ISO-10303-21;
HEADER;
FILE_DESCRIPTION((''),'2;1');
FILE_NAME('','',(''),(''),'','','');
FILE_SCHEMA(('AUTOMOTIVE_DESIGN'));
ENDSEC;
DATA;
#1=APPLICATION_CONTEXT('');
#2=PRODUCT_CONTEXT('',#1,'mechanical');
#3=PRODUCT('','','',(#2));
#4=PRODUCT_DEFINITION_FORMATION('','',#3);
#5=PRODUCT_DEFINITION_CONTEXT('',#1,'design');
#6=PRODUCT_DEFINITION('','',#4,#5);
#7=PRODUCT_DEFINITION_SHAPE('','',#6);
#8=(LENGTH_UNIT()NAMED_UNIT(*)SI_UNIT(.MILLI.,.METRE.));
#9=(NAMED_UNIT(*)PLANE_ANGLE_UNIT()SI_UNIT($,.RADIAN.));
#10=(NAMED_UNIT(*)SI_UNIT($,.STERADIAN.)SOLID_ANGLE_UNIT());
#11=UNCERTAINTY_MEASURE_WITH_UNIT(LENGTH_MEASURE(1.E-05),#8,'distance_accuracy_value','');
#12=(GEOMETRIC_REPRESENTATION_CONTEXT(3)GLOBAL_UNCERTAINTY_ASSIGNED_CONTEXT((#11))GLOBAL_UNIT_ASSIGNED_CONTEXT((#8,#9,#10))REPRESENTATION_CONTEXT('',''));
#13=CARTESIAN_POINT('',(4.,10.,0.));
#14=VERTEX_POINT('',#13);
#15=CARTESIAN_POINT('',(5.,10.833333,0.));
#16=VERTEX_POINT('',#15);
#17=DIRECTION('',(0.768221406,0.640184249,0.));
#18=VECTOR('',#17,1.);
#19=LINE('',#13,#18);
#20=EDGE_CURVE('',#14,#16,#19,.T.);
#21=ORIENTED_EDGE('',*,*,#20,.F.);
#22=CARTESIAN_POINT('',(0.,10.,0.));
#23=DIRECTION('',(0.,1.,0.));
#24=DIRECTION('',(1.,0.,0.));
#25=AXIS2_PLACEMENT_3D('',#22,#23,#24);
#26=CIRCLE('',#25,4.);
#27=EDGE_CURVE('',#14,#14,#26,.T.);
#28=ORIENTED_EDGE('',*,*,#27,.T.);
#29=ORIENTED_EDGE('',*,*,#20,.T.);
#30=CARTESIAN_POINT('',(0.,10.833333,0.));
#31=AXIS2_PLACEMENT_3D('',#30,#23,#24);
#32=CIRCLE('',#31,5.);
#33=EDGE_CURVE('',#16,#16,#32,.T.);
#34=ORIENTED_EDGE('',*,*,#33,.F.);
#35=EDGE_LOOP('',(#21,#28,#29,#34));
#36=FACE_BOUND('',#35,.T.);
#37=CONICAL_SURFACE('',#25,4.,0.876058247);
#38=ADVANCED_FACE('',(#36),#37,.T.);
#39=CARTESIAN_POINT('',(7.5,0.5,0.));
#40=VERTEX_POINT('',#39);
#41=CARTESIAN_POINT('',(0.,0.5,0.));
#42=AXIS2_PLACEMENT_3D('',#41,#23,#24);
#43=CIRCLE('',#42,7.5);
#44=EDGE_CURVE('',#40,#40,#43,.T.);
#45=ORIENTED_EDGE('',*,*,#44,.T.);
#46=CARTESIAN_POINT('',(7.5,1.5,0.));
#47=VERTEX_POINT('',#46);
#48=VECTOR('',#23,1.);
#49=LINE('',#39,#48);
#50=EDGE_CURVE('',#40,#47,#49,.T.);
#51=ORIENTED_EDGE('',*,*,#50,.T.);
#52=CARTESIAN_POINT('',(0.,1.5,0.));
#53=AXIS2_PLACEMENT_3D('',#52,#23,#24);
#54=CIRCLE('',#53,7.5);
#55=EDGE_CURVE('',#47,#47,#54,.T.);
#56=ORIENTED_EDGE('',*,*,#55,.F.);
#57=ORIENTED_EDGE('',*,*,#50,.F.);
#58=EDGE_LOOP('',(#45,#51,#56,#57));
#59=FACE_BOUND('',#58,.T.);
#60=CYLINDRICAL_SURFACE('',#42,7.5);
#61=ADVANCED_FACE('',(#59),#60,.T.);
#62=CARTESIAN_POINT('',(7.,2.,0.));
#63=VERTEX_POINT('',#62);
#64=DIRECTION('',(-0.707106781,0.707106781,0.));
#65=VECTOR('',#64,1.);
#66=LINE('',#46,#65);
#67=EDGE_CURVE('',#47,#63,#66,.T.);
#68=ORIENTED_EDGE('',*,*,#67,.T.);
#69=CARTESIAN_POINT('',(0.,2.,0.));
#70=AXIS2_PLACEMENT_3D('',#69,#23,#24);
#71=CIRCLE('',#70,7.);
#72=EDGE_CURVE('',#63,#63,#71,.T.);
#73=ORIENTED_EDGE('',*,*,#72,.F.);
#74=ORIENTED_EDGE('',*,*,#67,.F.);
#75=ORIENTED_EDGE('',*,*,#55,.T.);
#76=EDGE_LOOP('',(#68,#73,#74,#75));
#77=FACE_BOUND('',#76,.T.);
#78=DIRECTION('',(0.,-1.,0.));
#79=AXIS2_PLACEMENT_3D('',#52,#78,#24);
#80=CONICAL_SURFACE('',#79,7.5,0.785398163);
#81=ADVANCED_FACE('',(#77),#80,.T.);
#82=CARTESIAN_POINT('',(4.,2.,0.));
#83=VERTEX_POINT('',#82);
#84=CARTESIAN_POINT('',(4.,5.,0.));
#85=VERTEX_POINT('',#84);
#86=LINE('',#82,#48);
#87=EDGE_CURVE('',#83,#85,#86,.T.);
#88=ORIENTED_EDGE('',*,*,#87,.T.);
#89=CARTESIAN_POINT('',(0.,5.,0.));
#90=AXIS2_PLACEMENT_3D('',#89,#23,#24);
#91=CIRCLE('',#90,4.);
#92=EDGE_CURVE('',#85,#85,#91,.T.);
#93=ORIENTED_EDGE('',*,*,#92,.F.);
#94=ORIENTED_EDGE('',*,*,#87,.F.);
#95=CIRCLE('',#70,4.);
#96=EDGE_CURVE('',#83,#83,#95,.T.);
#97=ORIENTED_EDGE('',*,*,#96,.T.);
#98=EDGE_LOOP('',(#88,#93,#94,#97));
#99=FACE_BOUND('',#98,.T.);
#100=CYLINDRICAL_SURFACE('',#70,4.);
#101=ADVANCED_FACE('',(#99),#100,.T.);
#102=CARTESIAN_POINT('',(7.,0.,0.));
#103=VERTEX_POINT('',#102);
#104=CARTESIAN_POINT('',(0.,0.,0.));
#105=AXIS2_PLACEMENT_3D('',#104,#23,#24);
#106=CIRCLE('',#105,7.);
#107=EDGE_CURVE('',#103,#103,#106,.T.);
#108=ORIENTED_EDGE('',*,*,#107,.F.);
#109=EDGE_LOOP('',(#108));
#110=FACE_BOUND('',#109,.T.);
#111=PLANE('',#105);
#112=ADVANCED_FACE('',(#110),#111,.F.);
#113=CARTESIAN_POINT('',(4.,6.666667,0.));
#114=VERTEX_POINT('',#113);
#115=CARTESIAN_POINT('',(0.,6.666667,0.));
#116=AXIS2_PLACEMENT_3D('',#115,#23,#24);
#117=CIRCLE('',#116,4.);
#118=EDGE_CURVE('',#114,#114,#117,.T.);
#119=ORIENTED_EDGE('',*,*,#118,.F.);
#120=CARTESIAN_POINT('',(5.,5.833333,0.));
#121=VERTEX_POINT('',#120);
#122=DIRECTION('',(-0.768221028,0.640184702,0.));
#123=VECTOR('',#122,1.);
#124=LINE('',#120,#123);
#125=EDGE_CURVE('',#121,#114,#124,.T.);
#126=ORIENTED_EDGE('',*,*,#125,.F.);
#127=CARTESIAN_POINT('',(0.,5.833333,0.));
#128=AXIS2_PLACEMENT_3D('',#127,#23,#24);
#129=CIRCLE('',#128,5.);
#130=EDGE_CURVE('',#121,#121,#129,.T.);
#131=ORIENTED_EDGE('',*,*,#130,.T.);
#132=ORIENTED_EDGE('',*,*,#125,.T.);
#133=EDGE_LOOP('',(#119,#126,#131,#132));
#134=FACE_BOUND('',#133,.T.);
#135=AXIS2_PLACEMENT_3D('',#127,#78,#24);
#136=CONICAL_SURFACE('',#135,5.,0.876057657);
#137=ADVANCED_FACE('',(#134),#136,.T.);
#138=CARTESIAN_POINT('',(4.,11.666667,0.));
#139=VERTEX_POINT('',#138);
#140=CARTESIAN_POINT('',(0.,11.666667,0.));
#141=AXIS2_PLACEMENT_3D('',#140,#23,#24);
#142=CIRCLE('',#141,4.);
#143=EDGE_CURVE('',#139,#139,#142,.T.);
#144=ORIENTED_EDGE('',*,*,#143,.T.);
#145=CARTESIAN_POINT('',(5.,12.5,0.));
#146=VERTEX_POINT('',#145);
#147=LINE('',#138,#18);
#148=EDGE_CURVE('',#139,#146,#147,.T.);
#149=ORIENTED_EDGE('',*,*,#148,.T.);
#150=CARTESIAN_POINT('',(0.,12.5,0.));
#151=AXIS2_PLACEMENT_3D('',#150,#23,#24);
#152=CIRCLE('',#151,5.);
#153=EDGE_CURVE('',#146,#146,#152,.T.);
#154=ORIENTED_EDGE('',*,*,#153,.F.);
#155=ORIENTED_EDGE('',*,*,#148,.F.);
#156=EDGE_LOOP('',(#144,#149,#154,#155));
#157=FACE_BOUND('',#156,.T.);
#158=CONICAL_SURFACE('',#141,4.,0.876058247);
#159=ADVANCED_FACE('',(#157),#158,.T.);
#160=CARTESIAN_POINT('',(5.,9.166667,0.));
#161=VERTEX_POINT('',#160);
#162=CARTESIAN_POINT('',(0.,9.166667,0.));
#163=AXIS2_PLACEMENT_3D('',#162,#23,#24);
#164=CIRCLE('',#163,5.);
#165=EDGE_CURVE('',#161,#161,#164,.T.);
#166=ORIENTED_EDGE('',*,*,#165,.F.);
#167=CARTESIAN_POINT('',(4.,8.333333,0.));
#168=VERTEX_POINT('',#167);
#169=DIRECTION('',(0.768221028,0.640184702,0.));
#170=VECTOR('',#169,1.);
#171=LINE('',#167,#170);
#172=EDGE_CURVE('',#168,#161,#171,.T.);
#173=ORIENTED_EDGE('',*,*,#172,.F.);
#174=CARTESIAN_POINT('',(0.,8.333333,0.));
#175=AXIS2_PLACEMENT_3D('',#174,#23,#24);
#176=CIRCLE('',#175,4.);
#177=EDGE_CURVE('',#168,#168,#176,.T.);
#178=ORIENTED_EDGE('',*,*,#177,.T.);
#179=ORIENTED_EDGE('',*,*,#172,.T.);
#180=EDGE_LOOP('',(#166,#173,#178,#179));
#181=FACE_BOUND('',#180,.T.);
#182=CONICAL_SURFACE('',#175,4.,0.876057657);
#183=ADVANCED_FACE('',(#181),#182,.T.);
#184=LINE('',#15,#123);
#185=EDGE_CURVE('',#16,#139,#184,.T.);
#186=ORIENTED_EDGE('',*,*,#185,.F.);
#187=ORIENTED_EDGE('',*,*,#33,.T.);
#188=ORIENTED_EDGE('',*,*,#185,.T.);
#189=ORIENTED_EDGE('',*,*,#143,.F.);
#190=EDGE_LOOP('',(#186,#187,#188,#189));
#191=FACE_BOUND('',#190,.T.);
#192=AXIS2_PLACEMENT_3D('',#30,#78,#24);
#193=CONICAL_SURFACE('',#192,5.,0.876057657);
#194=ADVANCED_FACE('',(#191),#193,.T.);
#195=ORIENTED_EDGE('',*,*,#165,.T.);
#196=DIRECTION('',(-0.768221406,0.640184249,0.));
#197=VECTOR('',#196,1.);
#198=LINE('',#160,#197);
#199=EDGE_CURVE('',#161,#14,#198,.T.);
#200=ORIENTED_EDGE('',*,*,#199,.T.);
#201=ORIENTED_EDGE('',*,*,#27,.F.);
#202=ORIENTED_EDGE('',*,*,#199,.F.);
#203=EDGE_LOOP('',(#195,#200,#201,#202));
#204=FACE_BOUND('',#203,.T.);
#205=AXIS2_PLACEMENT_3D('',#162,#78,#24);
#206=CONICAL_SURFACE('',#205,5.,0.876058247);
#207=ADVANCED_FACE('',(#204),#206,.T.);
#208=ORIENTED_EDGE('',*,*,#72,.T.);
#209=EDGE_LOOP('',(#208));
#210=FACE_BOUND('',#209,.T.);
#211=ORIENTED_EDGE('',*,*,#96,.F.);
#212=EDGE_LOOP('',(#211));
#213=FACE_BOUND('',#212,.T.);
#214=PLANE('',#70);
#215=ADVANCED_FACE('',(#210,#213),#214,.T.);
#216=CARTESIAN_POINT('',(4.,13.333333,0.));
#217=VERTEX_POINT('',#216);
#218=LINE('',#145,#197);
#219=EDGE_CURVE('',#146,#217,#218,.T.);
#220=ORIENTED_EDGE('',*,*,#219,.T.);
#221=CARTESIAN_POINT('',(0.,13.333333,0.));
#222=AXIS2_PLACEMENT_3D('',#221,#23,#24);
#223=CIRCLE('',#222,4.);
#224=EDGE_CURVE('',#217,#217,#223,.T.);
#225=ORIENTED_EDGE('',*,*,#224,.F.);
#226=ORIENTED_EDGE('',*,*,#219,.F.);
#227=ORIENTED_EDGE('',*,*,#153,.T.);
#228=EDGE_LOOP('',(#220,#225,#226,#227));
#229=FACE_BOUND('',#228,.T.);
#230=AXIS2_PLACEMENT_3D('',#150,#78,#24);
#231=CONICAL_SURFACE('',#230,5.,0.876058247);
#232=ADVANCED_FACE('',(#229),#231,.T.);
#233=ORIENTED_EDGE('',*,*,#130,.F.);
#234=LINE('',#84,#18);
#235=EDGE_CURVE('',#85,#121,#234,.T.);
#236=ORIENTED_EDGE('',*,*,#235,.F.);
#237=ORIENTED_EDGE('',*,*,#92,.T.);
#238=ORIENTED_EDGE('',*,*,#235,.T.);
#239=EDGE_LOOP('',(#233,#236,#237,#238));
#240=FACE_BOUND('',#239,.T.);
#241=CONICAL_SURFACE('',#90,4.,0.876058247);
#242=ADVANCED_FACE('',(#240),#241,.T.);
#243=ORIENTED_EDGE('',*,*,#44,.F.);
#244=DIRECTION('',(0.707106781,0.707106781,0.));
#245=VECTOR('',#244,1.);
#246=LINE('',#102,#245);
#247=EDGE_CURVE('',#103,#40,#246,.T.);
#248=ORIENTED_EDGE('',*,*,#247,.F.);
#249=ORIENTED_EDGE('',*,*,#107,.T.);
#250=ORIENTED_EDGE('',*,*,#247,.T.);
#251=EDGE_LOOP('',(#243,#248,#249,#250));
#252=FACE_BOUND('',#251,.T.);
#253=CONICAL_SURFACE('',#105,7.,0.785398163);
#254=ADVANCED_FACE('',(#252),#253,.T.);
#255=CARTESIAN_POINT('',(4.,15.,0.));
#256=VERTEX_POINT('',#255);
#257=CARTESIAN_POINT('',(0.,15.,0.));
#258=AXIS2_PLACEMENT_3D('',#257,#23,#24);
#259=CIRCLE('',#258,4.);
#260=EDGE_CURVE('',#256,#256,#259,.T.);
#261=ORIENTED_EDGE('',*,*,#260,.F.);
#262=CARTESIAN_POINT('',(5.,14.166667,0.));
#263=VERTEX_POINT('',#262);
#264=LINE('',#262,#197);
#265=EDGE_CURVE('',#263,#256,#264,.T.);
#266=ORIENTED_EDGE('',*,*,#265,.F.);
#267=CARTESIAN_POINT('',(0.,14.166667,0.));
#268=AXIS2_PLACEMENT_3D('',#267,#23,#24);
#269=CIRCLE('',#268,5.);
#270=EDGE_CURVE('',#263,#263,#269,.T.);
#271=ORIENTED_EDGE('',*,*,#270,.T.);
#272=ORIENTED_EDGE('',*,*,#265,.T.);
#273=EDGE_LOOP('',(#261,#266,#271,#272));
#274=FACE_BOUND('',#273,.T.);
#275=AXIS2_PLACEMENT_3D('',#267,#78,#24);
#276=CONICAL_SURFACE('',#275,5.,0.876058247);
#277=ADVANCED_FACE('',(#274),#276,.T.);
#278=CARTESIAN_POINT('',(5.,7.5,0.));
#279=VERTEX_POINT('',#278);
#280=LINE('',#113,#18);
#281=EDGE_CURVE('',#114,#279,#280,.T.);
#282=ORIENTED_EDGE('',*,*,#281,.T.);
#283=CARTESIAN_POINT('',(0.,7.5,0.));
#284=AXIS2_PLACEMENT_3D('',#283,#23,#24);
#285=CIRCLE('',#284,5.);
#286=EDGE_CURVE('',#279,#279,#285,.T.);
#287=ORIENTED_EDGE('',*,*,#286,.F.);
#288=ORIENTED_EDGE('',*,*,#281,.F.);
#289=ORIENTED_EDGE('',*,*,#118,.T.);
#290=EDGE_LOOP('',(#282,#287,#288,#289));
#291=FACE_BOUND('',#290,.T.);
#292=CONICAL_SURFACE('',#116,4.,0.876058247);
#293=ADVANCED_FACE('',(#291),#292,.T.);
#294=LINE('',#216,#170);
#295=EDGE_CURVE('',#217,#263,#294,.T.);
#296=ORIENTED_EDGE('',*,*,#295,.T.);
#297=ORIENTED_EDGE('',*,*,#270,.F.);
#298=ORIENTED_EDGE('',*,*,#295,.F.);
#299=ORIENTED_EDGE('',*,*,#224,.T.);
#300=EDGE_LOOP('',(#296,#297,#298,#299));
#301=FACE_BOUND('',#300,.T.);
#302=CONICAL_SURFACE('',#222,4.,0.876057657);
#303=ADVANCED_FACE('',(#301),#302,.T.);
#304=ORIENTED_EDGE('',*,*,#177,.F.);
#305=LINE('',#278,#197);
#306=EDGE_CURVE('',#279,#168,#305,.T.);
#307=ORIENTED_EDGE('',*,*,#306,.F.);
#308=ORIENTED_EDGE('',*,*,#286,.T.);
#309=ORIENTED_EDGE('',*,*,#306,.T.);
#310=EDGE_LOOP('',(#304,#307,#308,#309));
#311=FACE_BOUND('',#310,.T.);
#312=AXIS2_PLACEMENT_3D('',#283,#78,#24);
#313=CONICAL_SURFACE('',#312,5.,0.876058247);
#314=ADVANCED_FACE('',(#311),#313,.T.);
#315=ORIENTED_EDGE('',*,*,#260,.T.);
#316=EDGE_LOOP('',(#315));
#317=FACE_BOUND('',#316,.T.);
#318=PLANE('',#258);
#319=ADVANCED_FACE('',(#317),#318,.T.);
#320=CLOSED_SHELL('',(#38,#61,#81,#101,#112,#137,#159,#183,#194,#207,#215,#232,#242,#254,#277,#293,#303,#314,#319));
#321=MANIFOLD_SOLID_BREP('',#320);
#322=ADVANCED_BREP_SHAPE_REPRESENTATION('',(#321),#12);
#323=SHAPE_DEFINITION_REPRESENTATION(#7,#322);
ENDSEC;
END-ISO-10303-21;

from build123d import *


with BuildPart() as f1:
    # F0 (on Top) → F1 (revolve)
    with BuildSketch(Plane.XY):
        Polygon((0, 15), (0, 0), (7, 0), (7.5, 0.5), (7.5, 1.5), (7, 2), (4, 2), (4, 5), (5, 5.833333), (4, 6.666667), (5, 7.5), (4, 8.333333), (5, 9.166667), (4, 10), (5, 10.833333), (4, 11.666667), (5, 12.5), (4, 13.333333), (5, 14.166667), (4, 15), align=None)
    revolve(axis=Axis((0, 16.373856, 0), (0, 1, 0)))


solid = f1.part
